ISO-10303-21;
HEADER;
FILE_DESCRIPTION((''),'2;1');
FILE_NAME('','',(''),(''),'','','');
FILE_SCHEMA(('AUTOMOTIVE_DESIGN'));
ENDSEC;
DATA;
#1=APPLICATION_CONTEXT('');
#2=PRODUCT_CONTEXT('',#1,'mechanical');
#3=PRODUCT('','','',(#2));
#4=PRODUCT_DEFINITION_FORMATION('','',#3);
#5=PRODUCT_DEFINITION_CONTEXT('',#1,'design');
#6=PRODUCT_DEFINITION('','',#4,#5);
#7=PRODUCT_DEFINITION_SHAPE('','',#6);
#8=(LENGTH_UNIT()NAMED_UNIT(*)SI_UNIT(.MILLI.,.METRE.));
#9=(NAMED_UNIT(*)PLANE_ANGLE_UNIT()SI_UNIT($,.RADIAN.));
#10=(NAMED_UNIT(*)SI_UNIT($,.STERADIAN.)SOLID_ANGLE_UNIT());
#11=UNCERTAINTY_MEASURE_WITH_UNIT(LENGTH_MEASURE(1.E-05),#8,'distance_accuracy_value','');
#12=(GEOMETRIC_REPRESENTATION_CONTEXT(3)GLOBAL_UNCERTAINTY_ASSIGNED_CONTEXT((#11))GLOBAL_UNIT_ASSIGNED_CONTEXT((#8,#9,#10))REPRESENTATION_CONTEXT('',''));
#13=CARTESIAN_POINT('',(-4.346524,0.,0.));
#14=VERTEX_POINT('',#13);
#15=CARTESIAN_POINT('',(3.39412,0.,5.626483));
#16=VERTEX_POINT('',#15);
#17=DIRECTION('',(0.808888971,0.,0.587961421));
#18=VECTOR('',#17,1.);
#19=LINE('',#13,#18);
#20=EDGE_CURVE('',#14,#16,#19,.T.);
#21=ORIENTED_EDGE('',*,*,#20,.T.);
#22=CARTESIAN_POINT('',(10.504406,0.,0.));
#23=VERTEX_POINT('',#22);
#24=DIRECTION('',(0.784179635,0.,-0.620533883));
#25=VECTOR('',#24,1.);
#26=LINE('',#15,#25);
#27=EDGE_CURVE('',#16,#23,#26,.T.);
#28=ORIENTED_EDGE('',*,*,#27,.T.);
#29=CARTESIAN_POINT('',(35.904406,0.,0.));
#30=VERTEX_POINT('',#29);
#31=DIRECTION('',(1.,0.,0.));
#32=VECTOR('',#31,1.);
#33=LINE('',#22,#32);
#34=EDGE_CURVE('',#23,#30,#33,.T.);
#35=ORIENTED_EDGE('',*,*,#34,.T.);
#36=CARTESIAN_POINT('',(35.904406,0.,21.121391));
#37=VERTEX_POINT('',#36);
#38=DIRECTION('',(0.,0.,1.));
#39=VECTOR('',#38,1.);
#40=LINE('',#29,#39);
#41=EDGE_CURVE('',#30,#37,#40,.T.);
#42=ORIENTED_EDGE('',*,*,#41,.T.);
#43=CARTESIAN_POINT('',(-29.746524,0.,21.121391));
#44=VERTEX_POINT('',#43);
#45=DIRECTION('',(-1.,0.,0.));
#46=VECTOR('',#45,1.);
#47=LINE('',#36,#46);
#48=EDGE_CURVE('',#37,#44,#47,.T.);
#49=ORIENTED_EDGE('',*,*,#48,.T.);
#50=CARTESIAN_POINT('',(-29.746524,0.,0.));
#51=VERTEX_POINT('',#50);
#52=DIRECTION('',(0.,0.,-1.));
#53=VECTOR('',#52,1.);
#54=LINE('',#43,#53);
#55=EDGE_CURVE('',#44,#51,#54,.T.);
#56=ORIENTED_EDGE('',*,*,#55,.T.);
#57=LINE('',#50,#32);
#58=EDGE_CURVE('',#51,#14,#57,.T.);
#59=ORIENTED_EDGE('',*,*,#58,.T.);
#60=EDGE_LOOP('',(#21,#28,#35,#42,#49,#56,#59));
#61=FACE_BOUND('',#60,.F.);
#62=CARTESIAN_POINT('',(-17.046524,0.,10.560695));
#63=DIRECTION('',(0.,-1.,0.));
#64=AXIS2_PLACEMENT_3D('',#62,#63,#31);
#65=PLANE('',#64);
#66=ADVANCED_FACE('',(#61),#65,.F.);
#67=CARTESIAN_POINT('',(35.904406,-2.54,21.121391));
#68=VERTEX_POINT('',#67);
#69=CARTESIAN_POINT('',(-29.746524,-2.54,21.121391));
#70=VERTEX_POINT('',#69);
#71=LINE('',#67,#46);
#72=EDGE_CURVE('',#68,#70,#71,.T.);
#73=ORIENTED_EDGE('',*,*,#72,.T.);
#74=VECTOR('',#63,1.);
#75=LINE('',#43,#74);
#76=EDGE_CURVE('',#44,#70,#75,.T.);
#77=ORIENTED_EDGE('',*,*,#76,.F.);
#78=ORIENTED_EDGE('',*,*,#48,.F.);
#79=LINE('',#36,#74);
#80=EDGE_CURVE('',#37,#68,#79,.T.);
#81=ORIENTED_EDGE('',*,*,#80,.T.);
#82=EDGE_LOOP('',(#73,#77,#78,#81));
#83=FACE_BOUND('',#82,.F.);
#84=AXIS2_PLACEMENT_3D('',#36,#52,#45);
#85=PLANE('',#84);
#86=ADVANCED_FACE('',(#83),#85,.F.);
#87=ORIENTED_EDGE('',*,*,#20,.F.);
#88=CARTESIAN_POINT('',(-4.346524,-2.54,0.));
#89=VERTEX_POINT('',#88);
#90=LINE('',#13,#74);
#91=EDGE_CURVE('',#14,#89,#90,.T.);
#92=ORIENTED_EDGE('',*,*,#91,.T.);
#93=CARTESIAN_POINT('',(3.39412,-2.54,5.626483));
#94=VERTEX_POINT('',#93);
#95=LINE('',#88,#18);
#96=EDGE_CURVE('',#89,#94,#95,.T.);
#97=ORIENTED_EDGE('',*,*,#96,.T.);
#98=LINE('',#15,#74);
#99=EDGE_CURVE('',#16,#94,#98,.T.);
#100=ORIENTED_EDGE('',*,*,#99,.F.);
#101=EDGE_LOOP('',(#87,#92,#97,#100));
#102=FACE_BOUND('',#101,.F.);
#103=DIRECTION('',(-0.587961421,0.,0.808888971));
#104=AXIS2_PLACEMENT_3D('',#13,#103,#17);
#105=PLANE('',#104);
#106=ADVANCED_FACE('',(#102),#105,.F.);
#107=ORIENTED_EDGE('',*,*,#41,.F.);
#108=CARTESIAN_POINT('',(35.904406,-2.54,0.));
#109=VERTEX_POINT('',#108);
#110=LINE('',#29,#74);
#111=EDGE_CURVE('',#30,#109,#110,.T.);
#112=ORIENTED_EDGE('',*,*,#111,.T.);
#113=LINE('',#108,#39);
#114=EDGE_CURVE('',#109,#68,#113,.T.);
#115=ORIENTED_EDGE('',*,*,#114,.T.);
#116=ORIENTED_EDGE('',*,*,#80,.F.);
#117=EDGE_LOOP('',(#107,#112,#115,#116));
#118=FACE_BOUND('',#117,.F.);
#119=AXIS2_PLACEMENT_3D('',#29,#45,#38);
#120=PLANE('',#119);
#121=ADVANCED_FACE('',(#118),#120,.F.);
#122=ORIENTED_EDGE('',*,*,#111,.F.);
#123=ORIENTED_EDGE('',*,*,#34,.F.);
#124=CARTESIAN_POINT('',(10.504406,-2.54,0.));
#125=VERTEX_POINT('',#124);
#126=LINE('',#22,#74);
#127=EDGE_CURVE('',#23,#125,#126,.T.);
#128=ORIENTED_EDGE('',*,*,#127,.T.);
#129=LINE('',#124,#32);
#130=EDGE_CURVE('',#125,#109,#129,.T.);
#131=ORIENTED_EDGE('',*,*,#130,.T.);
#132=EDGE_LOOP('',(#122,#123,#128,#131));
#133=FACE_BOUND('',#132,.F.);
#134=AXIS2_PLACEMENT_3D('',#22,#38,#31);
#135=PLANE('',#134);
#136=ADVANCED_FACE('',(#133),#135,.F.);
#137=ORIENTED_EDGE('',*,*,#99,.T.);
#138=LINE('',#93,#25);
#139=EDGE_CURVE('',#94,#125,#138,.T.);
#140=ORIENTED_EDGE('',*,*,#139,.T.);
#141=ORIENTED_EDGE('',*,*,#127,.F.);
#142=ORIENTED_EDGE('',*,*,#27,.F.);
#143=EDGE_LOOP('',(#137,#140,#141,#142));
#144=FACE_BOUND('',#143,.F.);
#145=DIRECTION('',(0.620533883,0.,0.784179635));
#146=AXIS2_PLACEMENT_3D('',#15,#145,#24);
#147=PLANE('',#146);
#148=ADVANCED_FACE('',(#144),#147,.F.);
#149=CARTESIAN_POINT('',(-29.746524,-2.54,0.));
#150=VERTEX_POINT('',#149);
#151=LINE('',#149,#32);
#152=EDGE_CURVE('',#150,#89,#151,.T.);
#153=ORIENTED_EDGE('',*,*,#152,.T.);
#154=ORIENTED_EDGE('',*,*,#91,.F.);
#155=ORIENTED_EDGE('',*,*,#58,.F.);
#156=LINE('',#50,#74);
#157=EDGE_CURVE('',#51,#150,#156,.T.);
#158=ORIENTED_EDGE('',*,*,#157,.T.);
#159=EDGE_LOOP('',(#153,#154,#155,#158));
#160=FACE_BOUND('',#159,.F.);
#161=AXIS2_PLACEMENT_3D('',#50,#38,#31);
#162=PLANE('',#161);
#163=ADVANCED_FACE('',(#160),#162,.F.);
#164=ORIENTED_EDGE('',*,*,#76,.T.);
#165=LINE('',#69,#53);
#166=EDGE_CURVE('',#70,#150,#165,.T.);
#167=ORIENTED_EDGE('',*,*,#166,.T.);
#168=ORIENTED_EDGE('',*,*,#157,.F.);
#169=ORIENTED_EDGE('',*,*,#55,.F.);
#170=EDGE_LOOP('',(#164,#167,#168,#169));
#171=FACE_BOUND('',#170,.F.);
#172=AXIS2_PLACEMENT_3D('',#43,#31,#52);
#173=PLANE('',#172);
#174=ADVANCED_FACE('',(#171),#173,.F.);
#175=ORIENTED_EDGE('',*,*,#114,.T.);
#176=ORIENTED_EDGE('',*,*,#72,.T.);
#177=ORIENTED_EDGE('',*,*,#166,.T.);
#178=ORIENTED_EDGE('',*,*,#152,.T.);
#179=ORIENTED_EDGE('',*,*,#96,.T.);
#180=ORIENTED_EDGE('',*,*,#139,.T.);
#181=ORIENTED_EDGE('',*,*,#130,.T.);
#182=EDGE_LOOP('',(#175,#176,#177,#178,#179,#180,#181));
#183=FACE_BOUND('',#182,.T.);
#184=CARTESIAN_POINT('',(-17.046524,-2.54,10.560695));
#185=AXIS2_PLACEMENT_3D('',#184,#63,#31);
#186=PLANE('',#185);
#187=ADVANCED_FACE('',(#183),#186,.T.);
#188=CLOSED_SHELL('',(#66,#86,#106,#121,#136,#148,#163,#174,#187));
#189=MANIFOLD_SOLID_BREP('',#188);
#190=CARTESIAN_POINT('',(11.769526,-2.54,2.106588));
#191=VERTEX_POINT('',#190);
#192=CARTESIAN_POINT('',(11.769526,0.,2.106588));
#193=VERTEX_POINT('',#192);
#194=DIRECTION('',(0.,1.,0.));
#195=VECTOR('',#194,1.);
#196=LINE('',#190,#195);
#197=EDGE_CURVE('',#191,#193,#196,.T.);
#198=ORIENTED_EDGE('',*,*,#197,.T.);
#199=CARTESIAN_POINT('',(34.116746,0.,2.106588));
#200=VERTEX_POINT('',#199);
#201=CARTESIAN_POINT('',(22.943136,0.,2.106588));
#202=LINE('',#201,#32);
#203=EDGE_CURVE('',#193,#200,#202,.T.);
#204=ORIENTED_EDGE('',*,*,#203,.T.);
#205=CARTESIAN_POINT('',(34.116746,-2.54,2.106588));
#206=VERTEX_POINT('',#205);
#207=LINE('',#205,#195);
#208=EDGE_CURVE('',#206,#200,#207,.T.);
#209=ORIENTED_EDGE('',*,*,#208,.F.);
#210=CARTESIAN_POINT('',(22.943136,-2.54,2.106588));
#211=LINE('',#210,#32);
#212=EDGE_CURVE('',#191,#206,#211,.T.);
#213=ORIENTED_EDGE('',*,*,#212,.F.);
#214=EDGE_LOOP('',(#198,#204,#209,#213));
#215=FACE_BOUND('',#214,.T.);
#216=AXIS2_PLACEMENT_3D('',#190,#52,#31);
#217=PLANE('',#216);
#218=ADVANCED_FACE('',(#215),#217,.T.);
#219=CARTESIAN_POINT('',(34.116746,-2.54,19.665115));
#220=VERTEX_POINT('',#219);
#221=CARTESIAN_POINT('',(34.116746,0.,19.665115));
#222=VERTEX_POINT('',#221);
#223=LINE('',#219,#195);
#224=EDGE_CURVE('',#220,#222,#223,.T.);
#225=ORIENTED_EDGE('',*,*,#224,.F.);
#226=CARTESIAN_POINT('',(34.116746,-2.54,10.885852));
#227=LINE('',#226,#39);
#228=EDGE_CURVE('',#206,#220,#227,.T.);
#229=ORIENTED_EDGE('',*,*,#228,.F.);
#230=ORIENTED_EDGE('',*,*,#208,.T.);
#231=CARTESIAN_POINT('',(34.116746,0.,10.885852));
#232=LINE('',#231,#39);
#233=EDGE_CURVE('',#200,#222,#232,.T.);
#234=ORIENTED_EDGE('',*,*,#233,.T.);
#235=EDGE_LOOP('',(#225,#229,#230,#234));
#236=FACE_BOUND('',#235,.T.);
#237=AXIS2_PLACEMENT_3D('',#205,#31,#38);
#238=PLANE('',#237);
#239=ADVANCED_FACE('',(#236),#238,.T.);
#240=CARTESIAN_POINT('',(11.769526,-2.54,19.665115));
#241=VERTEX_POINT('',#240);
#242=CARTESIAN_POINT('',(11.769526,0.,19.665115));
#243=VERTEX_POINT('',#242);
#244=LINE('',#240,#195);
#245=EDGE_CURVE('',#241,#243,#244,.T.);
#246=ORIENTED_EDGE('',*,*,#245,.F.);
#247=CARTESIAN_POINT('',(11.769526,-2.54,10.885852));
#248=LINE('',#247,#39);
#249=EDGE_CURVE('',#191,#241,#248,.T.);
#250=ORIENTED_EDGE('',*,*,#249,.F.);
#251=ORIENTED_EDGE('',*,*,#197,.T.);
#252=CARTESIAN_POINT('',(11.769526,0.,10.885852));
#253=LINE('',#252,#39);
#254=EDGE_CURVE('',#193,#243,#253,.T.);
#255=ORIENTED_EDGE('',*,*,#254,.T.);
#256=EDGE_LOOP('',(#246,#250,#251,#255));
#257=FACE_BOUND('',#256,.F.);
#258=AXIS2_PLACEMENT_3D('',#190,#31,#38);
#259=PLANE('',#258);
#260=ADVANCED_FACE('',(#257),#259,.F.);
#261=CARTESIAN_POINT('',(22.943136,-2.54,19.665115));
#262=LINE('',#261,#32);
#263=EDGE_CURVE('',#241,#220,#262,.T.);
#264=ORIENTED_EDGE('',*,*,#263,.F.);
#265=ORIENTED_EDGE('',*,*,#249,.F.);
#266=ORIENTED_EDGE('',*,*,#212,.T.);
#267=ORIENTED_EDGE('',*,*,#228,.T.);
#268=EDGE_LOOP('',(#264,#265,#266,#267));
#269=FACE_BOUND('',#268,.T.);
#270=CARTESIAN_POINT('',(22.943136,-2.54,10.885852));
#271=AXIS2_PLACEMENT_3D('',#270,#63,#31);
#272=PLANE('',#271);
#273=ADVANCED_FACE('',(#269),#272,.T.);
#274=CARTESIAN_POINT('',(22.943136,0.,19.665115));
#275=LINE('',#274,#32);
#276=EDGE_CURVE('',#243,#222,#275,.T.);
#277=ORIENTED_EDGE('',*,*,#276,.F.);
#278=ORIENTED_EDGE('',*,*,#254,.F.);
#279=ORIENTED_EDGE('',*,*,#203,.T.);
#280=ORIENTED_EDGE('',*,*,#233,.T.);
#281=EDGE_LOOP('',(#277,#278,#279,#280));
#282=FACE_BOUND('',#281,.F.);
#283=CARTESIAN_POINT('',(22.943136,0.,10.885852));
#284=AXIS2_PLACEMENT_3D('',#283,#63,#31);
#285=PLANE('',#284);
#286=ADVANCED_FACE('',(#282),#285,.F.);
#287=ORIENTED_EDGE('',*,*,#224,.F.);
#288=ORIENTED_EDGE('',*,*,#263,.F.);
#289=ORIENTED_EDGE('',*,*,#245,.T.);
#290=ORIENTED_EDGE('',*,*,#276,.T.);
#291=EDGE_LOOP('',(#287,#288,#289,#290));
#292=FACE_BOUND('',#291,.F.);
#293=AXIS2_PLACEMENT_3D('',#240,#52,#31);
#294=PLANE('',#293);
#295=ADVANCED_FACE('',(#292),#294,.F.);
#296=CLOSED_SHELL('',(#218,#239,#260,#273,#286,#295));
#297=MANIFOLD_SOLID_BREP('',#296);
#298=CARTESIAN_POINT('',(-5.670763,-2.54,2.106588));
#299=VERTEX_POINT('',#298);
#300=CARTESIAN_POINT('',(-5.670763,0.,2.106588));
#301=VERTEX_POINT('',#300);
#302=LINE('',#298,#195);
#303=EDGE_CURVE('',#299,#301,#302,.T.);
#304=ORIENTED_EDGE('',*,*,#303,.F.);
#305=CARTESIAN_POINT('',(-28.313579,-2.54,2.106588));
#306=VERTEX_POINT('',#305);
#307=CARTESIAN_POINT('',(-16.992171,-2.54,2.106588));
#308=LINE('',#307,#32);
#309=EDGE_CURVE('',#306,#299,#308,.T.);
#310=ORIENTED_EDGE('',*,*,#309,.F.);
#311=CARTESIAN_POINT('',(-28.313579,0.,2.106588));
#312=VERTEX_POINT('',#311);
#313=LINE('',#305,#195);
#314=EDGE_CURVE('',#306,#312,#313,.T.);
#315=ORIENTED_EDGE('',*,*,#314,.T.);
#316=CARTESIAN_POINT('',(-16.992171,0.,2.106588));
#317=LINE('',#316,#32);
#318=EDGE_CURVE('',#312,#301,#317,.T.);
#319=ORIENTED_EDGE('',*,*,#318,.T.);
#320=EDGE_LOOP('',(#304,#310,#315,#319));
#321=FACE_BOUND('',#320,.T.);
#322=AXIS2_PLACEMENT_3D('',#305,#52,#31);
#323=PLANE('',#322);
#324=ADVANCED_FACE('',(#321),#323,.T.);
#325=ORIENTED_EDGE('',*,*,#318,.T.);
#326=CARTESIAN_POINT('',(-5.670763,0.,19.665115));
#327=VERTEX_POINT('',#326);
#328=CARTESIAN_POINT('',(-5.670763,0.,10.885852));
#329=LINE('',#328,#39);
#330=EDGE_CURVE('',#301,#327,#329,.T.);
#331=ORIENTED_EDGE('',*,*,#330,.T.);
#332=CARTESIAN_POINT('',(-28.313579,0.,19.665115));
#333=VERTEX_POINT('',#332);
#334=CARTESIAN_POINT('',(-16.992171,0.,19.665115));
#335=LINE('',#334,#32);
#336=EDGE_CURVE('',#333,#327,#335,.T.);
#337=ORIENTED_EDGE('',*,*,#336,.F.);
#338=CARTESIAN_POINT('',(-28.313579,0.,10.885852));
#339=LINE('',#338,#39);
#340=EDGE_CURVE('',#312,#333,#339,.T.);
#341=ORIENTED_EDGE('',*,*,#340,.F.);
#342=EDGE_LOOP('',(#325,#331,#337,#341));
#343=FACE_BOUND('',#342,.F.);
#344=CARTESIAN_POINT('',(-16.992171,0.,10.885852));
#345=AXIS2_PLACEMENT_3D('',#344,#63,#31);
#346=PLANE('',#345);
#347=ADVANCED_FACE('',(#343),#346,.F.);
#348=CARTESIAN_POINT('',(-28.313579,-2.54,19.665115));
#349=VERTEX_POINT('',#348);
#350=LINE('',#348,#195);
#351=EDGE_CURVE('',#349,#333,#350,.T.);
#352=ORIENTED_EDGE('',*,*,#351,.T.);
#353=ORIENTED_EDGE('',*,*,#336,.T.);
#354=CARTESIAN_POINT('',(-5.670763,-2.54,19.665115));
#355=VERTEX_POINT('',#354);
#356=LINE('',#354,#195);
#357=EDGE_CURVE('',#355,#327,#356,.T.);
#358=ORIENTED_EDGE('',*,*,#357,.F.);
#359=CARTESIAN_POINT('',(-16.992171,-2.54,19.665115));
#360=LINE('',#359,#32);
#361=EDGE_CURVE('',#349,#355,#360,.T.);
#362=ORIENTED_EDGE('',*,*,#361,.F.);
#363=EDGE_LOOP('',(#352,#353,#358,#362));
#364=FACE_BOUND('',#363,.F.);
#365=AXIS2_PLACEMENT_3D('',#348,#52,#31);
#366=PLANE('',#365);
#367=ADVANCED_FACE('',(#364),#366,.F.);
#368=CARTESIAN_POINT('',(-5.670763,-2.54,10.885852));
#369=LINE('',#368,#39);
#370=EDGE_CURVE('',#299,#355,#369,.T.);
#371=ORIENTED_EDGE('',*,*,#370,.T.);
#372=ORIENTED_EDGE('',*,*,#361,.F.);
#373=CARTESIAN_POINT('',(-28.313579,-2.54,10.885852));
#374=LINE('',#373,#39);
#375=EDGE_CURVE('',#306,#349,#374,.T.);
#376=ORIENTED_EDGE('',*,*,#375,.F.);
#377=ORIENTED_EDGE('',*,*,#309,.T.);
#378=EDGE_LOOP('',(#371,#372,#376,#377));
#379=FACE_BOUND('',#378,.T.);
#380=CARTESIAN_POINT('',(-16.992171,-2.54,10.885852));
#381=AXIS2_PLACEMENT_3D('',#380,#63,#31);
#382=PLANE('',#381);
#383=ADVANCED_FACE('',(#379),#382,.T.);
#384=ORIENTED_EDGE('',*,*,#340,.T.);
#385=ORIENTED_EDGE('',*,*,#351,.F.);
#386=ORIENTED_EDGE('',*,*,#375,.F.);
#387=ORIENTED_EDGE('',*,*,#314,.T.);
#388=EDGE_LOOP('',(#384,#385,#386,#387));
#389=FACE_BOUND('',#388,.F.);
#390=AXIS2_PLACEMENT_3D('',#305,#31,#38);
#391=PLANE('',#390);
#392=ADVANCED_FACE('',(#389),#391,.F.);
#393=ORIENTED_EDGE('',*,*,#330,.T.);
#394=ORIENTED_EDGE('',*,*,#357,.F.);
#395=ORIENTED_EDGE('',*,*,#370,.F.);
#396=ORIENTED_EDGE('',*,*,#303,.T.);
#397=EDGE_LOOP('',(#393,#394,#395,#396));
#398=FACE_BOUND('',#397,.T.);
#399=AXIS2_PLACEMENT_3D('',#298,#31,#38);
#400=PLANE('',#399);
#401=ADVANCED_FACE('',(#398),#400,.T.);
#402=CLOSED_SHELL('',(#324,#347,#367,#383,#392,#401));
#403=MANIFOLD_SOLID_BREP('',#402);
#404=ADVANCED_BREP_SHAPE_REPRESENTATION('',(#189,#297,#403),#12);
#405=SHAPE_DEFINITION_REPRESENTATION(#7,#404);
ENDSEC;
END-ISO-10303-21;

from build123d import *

# Parameters (mm, degrees)
F1_DEPTH = 2.54
F2_W     = 22.642816
F2_H     = 17.558527
F2_W_2   = 22.347219
F3_DEPTH = 2.54


with BuildPart() as f1:
    # F0 (on Front) → F1 (new body)
    with BuildSketch(Plane.XZ):
        Polygon((-29.746524, 21.121391), (-29.746524, 0), (-4.346524, 0), (-4.346524, 3.648652), (-4.346524, 21.121391), align=None)
        Polygon((-4.346524, 3.648652), (-4.346524, 0), (3.39412, 5.626483), (10.504406, 0), (10.504406, 3.575783), (3.39412, 8.166491), align=None)
        Polygon((10.504406, 21.121391), (-4.346524, 21.121391), (-4.346524, 3.648652), (3.39412, 8.166491), (10.504406, 3.575783), align=None)
        Polygon((35.904406, 21.121391), (10.504406, 21.121391), (10.504406, 3.575783), (10.504406, 0), (35.904406, 0), align=None)
    extrude(amount=F1_DEPTH)


with BuildPart() as f3:
    # F2 (on face) → F3 (new body)
    with BuildSketch(Plane.XZ.offset(2.54)):
        with Locations((-16.992171, 10.885852)):
            Rectangle(F2_W, F2_H)
        with Locations((22.943136, 10.885852)):
            Rectangle(F2_W_2, F2_H)
    extrude(amount=-F3_DEPTH)


solid = Compound([f1.part, f3.part])
